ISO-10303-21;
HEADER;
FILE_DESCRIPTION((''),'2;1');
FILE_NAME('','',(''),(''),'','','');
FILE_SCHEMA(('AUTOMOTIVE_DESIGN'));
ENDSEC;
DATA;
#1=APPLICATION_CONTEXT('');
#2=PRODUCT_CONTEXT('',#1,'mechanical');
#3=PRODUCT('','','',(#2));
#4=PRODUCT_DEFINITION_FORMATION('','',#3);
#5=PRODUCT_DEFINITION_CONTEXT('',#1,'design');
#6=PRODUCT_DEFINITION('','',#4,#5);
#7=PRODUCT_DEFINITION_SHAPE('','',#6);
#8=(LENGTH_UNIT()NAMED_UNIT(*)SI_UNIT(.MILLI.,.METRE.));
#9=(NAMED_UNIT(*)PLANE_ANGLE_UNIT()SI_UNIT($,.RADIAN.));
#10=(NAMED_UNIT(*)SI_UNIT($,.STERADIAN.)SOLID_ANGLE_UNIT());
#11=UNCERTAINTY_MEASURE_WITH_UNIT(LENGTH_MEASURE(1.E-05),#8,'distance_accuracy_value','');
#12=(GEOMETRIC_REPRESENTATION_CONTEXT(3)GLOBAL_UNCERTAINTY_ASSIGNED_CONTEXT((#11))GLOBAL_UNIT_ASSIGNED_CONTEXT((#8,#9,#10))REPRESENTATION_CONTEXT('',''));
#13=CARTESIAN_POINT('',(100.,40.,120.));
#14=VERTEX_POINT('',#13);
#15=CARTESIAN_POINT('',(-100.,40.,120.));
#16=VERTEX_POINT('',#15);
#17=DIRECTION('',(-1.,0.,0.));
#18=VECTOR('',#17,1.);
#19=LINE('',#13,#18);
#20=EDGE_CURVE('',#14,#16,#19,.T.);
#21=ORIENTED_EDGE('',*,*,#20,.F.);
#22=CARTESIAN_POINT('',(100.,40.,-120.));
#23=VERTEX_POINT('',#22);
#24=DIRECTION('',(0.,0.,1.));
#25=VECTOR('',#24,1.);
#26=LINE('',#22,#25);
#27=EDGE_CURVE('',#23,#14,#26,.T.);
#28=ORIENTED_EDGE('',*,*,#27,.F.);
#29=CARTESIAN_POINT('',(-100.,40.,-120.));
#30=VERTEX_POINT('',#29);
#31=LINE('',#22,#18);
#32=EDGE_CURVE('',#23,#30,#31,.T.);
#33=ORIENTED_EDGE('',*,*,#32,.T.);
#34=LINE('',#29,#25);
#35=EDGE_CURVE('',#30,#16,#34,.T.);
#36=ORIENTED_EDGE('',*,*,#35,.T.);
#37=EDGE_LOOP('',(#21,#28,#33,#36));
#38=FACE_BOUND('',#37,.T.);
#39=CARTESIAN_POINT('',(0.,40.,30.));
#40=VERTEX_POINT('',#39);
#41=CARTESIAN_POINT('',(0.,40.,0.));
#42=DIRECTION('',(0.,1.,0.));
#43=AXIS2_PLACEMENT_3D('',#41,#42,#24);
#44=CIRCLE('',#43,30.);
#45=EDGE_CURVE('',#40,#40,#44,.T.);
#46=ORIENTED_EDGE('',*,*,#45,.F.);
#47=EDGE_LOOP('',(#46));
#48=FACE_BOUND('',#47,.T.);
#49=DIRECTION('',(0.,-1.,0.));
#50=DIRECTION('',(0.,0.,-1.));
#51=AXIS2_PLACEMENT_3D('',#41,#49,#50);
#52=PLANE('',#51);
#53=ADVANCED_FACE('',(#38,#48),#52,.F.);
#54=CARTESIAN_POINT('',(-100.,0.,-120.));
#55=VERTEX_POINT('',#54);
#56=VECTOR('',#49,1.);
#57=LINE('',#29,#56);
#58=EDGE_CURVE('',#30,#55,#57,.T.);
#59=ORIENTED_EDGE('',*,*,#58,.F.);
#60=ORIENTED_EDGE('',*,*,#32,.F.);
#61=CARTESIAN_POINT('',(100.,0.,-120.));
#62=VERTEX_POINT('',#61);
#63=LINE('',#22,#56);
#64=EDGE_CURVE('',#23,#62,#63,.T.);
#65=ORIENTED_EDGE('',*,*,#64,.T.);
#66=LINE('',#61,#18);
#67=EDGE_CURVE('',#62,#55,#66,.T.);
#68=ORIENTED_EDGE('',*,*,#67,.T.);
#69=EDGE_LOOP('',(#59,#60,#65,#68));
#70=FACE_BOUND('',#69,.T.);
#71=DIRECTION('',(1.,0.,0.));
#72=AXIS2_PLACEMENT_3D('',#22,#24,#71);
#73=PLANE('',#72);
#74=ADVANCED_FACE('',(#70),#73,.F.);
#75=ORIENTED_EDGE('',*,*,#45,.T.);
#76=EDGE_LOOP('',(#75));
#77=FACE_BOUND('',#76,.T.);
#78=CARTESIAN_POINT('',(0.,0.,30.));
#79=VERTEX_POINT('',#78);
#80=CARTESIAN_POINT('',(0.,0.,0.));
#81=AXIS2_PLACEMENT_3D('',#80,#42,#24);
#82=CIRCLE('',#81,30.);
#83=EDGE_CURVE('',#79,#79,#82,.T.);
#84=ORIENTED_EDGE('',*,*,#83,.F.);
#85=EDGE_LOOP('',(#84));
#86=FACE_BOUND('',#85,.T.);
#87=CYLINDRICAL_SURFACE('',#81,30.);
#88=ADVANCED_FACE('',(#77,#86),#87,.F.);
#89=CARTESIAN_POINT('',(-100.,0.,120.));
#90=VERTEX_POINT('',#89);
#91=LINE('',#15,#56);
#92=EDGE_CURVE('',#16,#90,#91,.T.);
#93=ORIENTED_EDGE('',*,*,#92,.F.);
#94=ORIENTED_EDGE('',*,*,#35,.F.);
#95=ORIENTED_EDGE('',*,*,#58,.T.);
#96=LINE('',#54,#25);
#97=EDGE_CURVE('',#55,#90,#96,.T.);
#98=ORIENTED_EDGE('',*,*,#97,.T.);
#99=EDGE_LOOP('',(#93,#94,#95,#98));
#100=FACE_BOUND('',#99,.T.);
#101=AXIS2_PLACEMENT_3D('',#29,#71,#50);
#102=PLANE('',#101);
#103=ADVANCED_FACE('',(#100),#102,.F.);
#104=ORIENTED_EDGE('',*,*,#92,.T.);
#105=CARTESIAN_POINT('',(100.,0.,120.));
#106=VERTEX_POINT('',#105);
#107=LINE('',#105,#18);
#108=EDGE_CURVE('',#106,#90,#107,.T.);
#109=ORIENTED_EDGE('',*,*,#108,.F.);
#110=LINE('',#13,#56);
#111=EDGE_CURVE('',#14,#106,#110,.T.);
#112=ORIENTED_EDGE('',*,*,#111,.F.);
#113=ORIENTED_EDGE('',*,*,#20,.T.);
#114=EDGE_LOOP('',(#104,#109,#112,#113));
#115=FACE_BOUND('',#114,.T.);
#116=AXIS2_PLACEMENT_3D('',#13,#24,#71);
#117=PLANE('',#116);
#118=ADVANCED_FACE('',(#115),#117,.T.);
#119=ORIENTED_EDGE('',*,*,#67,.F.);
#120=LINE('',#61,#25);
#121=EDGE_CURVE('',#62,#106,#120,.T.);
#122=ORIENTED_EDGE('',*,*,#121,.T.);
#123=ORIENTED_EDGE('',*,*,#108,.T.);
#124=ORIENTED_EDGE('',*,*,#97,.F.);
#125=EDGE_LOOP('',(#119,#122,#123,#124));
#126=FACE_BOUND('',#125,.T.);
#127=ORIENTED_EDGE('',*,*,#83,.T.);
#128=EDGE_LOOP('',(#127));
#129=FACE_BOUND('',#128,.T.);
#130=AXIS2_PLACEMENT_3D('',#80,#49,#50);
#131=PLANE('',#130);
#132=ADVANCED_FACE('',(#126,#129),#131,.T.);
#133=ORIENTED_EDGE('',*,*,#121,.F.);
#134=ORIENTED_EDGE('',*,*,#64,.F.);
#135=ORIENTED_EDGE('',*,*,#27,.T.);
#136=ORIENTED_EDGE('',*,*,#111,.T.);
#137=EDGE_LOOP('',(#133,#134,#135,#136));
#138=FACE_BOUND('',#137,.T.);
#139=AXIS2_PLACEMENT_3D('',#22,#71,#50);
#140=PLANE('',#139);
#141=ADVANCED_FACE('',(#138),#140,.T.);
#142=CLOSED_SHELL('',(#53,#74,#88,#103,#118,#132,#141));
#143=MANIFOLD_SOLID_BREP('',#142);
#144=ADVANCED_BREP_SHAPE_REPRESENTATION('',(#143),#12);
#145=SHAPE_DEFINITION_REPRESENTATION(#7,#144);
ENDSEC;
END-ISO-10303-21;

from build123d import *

# Parameters (mm, degrees)
SKETCH1_W          = 200
SKETCH1_H          = 240
BASE_DEPTH         = 40
SKETCH2_R          = 30
ACTUATOR_CUT_DEPTH = 40


with BuildPart() as part:
    # Sketch1 → base (new body)
    with BuildSketch(Plane(origin=(0, 0, 0), x_dir=(1, 0, 0), z_dir=(0, 1, 0))):
        Rectangle(SKETCH1_W, SKETCH1_H)
    extrude(amount=BASE_DEPTH)

    # Sketch2 → actuator cut (cut)
    with BuildSketch(Plane(origin=(0, 40, 0), x_dir=(1, 0, 0), z_dir=(0, 1, 0))):
        Circle(SKETCH2_R)
    extrude(amount=-ACTUATOR_CUT_DEPTH, mode=Mode.SUBTRACT)


solid = part.part
